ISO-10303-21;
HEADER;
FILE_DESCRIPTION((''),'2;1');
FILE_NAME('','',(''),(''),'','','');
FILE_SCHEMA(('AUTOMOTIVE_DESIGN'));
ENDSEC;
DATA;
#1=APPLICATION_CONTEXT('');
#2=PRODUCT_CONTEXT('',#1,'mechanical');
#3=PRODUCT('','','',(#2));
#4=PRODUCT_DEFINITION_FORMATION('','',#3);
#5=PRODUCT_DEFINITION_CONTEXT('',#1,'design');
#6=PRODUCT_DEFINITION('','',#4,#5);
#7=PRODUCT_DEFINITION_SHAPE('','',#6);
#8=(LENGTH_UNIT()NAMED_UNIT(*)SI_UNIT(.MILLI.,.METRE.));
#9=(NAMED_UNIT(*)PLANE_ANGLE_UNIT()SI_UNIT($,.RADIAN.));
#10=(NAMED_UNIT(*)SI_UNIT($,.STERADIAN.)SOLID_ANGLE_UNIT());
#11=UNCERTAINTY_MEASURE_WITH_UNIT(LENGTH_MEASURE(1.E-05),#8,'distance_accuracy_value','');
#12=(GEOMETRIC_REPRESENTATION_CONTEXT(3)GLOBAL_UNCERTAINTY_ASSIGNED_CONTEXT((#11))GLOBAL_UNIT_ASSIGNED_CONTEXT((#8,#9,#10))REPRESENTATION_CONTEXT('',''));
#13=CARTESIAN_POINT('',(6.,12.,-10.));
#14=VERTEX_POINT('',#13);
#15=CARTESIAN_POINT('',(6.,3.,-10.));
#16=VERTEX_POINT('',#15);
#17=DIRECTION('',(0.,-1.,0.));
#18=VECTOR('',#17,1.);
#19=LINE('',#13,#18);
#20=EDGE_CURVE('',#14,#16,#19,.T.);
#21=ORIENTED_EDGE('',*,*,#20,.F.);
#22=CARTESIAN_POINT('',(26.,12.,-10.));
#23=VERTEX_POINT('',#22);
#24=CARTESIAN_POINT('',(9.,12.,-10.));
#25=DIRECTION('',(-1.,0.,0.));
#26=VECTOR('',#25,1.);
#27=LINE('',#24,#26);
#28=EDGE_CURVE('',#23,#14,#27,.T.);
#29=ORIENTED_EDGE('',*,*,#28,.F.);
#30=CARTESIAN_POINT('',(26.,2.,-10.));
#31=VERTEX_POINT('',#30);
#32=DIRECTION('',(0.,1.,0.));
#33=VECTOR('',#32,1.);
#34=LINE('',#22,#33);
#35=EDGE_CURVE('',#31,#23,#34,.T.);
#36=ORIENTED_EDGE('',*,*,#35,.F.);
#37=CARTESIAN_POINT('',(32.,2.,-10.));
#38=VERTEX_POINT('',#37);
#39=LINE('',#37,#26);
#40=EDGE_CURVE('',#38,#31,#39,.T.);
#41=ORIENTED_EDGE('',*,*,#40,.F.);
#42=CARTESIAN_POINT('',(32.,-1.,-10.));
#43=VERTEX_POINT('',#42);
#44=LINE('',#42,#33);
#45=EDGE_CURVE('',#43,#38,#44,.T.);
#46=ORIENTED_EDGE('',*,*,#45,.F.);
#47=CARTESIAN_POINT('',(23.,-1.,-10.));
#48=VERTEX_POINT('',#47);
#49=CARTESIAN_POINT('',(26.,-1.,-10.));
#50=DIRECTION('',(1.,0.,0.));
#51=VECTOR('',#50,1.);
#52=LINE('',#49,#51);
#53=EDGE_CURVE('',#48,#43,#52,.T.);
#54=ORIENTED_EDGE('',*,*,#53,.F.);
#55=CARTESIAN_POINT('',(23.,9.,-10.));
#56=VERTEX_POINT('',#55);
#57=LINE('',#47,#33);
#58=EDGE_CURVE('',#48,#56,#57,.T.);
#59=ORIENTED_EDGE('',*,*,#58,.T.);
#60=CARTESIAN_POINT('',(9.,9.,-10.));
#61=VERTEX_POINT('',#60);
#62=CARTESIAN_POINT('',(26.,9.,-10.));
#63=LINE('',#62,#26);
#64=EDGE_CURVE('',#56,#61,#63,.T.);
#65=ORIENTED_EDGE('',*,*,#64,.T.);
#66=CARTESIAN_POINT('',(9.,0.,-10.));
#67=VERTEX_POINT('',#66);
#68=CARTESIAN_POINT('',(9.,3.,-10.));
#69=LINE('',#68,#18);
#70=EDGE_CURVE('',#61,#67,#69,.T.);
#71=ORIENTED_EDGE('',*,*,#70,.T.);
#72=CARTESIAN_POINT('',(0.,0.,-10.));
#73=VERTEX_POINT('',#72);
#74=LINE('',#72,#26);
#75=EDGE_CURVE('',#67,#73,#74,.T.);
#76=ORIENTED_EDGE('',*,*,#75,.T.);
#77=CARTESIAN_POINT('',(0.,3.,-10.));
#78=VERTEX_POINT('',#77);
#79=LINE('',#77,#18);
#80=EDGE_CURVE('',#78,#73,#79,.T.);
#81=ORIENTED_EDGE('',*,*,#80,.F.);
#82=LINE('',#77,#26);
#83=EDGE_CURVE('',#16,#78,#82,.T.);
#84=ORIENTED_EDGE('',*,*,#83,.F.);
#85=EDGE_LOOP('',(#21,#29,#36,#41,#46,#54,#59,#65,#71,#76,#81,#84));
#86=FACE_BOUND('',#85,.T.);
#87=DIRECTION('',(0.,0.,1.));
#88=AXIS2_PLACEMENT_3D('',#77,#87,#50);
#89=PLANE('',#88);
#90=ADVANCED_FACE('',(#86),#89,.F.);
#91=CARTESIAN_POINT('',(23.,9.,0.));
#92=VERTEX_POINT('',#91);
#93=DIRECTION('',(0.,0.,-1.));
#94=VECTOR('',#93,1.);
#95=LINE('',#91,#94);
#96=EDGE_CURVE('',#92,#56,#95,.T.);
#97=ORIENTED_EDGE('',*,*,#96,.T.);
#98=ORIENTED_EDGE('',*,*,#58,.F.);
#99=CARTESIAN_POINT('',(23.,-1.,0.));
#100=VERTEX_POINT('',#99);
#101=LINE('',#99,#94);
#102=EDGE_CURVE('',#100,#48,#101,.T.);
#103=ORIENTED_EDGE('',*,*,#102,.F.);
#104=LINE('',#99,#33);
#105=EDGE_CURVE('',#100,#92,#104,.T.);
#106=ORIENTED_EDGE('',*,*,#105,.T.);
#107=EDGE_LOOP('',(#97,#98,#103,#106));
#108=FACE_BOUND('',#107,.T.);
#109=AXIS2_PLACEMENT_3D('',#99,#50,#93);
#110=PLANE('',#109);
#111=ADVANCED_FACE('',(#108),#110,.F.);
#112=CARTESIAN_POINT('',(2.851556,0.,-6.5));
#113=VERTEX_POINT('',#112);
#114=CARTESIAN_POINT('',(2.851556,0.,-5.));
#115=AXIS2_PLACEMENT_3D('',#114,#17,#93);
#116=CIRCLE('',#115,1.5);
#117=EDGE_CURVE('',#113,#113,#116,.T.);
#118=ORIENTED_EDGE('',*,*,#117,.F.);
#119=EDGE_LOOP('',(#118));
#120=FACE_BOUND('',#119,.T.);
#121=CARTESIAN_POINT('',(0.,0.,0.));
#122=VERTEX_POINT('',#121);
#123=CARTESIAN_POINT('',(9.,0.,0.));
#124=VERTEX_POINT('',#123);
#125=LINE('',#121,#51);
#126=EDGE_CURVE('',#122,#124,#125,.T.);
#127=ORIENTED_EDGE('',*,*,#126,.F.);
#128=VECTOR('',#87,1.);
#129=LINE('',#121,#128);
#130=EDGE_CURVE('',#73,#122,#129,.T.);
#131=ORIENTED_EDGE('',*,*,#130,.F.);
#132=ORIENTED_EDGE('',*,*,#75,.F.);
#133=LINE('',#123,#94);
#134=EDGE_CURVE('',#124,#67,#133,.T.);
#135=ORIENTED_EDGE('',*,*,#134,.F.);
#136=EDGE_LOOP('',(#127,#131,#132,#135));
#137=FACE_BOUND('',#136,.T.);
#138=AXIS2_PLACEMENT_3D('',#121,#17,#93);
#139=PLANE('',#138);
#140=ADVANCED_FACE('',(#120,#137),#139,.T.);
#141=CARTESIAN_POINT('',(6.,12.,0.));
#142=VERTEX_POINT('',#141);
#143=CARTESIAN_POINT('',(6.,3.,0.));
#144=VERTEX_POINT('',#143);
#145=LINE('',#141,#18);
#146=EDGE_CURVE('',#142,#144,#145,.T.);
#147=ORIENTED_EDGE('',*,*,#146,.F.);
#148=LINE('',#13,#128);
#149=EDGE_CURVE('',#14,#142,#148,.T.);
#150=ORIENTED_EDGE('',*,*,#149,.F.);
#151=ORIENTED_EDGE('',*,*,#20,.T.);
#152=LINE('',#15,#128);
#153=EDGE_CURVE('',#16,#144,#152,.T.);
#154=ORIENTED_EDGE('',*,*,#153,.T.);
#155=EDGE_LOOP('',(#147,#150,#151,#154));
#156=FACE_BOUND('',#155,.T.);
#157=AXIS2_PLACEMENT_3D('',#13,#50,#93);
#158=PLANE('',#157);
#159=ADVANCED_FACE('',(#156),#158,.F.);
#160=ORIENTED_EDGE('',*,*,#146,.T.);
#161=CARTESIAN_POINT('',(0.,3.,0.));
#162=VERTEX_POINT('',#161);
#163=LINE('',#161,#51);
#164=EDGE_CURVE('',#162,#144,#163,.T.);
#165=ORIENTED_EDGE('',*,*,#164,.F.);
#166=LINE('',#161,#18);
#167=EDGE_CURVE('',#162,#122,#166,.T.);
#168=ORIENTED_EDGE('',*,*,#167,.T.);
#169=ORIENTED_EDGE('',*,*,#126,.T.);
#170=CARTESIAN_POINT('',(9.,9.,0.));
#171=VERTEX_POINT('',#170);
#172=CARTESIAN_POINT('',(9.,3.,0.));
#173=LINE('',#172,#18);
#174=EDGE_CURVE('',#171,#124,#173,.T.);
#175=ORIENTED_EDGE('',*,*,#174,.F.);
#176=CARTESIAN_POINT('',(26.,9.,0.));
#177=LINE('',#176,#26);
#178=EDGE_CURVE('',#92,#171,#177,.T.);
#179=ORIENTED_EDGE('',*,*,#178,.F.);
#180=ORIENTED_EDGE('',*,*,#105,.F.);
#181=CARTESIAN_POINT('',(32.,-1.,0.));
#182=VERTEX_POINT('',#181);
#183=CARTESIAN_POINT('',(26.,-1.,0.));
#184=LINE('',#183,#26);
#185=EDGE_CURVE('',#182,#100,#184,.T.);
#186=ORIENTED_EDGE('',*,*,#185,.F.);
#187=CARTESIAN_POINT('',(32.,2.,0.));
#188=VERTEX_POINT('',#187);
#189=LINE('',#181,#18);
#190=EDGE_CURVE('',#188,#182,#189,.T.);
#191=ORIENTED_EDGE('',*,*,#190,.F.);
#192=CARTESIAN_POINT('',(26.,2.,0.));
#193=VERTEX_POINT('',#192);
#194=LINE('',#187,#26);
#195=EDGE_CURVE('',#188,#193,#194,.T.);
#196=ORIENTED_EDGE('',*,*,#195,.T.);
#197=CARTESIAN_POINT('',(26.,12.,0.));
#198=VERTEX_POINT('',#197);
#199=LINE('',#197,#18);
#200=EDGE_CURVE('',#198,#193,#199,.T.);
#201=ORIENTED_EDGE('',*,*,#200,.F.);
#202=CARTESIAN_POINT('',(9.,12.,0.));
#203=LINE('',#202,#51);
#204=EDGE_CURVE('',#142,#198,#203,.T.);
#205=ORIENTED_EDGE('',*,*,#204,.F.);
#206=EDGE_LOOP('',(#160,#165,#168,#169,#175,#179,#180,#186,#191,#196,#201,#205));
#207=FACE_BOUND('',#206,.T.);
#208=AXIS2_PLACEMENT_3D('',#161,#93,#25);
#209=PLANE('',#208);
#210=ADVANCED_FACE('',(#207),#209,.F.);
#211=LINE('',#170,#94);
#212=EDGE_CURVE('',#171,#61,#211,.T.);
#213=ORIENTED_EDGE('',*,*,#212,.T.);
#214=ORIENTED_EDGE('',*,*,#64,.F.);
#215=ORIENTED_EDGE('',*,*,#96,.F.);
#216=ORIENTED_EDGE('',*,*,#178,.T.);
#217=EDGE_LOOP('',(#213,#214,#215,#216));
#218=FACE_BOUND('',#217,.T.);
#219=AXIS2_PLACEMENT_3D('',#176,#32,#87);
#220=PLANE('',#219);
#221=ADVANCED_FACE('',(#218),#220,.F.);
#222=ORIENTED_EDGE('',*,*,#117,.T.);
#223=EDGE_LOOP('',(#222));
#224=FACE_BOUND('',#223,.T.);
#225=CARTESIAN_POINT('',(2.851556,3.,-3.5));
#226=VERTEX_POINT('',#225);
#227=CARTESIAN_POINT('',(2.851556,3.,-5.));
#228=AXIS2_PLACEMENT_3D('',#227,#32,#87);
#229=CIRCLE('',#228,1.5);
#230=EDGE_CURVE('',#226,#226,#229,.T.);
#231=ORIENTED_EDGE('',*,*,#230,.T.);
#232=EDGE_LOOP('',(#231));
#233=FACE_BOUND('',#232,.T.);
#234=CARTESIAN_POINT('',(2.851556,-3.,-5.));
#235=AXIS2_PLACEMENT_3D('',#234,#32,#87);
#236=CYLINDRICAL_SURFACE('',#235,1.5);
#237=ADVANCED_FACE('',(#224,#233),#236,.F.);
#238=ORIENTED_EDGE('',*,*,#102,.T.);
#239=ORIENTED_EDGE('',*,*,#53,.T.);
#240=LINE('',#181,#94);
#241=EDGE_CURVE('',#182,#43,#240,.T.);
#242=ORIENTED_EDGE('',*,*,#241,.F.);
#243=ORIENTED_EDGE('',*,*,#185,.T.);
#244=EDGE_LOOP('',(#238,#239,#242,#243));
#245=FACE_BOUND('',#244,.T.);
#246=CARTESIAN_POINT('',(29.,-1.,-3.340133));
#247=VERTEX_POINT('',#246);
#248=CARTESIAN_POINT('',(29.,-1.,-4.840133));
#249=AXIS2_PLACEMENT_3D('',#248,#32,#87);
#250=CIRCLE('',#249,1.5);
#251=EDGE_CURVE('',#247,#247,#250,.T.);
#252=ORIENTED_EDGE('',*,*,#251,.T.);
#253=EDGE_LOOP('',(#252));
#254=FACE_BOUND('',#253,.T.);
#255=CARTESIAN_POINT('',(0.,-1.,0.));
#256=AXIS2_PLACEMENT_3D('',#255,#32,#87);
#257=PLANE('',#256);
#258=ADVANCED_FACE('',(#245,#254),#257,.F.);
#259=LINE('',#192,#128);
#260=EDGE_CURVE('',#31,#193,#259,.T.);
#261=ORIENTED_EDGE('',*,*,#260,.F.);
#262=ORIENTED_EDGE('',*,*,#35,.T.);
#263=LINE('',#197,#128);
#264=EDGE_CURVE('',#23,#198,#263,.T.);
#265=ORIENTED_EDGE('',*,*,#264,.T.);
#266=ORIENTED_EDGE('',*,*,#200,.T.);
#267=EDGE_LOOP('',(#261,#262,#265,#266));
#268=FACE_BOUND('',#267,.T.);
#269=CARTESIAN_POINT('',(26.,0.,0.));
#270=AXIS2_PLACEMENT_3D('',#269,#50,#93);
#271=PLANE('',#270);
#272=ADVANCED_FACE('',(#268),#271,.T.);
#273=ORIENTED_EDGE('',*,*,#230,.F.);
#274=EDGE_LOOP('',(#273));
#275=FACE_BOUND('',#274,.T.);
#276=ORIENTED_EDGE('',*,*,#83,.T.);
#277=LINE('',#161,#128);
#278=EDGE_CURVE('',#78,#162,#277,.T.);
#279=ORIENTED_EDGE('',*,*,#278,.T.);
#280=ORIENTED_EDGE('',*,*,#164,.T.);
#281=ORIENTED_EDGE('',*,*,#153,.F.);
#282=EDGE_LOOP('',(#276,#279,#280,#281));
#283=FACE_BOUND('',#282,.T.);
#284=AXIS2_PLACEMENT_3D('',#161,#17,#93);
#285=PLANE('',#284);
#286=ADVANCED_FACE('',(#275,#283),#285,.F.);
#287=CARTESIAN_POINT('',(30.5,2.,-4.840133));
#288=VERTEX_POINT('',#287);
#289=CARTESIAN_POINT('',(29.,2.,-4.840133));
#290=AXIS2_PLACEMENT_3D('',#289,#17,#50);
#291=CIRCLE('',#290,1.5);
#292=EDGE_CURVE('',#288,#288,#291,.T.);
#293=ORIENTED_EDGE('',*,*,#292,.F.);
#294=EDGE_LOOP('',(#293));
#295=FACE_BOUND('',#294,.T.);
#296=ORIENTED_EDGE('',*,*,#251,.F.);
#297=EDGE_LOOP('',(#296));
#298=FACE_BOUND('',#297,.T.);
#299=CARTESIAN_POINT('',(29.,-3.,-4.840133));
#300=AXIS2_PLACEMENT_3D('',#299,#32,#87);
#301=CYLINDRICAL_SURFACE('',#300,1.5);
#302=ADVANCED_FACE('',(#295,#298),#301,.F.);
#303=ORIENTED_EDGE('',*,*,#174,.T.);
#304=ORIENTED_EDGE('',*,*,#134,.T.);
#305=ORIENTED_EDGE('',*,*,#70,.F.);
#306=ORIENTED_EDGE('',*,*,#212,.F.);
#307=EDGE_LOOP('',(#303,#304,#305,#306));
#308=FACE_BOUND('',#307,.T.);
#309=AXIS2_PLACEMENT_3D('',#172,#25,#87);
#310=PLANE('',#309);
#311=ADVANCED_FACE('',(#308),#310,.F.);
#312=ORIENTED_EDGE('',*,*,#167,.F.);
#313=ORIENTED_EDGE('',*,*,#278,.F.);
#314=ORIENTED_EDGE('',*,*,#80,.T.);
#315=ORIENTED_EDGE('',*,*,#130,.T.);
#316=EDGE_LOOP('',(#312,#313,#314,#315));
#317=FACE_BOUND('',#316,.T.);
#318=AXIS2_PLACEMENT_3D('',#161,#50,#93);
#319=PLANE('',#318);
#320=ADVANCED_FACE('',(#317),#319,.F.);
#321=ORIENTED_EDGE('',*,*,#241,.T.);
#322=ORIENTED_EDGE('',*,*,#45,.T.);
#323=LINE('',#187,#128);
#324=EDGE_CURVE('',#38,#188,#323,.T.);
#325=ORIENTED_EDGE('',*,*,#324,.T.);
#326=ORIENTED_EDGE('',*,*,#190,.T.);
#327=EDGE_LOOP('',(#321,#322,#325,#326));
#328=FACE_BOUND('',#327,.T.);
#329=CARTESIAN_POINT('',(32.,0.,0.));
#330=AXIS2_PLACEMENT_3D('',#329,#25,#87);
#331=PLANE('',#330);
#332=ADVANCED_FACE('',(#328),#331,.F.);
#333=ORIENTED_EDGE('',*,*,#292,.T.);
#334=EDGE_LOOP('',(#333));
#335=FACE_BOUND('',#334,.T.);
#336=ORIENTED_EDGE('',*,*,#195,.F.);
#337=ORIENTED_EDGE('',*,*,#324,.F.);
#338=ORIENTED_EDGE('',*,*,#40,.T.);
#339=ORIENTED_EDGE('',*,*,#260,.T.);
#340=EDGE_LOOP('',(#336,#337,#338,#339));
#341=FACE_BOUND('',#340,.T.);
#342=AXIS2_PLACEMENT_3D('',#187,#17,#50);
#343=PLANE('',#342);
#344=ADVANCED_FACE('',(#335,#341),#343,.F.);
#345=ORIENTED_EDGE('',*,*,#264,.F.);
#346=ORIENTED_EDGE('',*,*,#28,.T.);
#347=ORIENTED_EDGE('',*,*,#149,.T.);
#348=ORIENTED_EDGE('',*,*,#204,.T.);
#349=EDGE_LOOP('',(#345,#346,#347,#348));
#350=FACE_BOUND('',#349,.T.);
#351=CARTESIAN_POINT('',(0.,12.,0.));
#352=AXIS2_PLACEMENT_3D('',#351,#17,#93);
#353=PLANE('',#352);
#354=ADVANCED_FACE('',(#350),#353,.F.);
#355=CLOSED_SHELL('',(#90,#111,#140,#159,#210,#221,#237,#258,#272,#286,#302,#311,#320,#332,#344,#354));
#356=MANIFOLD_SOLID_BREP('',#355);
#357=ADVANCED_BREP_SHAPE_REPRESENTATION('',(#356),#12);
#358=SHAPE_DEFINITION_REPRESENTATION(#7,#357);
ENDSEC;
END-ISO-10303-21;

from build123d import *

# Parameters (mm, degrees)
SKETCH1_W           = 9
SKETCH1_H           = 10
BOSS_EXTRUDE1_DEPTH = 3
SKETCH2_W           = 3
SKETCH2_H           = 10
BOSS_EXTRUDE2_DEPTH = 9
SKETCH3_W           = 10
SKETCH3_H           = 3
BOSS_EXTRUDE3_DEPTH = 17
SKETCH4_W           = 3
SKETCH4_H           = 10
BOSS_EXTRUDE4_DEPTH = 10
SKETCH5_W           = 10
SKETCH5_H           = 3
BOSS_EXTRUDE5_DEPTH = 6
CUT_EXTRUDE1_DEPTH  = 6


with BuildPart() as part:
    # Sketch1 → Boss-Extrude1 (new body)
    with BuildSketch(Plane(origin=(0, 0, 0), x_dir=(1, 0, 0), z_dir=(0, 1, 0))):
        with Locations((4.5, 5)):
            Rectangle(SKETCH1_W, SKETCH1_H)
    extrude(amount=BOSS_EXTRUDE1_DEPTH)

    # Sketch2 → Boss-Extrude2 (add)
    with BuildSketch(Plane(origin=(0, 3, 0), x_dir=(1, 0, 0), z_dir=(0, 1, 0))):
        with Locations((7.5, 5)):
            Rectangle(SKETCH2_W, SKETCH2_H)
    extrude(amount=BOSS_EXTRUDE2_DEPTH)

    # Sketch3 → Boss-Extrude3 (add)
    with BuildSketch(Plane(origin=(9, 0, 0), x_dir=(0, 0, -1), z_dir=(1, 0, 0))):
        with Locations((5, 10.5)):
            Rectangle(SKETCH3_W, SKETCH3_H)
    extrude(amount=BOSS_EXTRUDE3_DEPTH)

    # Sketch4 → Boss-Extrude4 (add)
    with BuildSketch(Plane.XZ.offset(-9)):
        with Locations((24.5, -5)):
            Rectangle(SKETCH4_W, SKETCH4_H)
    extrude(amount=BOSS_EXTRUDE4_DEPTH)

    # Sketch5 → Boss-Extrude5 (add)
    with BuildSketch(Plane(origin=(26, 0, 0), x_dir=(0, 0, -1), z_dir=(1, 0, 0))):
        with Locations((5, 0.5)):
            Rectangle(SKETCH5_W, SKETCH5_H)
    extrude(amount=BOSS_EXTRUDE5_DEPTH)

    # Sketch6 → Cut-Extrude1 (cut)
    with BuildSketch(Plane(origin=(0, 3, 0), x_dir=(1, 0, 0), z_dir=(0, 1, 0))):
        with BuildLine():
            ThreePointArc((4.351556364, 5), (3.912216535, 6.060660172), (2.851556364, 6.5))
            Line((2.851556364, 6.5), (2.851556364, 5))
            Line((2.851556364, 5), (4.351556364, 5))
        make_face()
        with BuildLine():
            Line((2.851556364, 5), (2.851556364, 6.5))
            ThreePointArc((2.851556364, 6.5), (1.790896192, 6.060660172), (1.351556364, 5))
            Line((1.351556364, 5), (2.851556364, 5))
        make_face()
        with BuildLine():
            Line((4.351556364, 5), (2.851556364, 5))
            Line((2.851556364, 5), (2.851556364, 3.5))
            ThreePointArc((2.851556364, 3.5), (3.912216535, 3.939339828), (4.351556364, 5))
        make_face()
        with BuildLine():
            Line((2.851556364, 3.5), (2.851556364, 5))
            Line((2.851556364, 5), (1.351556364, 5))
            ThreePointArc((1.351556364, 5), (1.790896192, 3.939339828), (2.851556364, 3.5))
        make_face()
        with BuildLine():
            ThreePointArc((30.491456548, 5), (30.002546741, 5.955884174), (29, 6.340133291))
            Line((29, 6.340133291), (29, 5))
            Line((29, 5), (30.491456548, 5))
        make_face()
        with BuildLine():
            Line((29, 5), (29, 6.340133291))
            ThreePointArc((29, 6.340133291), (27.997453259, 5.955884174), (27.508543452, 5))
            Line((27.508543452, 5), (29, 5))
        make_face()
        with BuildLine():
            Line((30.491456548, 5), (29, 5))
            Line((29, 5), (29, 3.340133291))
            ThreePointArc((29, 3.340133291), (30.060660172, 3.779473119), (30.5, 4.840133291))
            ThreePointArc((30.5, 4.840133291), (30.497862614, 4.920180707), (30.491456548, 5))
        make_face()
        with BuildLine():
            Line((29, 3.340133291), (29, 5))
            Line((29, 5), (27.508543452, 5))
            ThreePointArc((27.508543452, 5), (27.884249118, 3.83758655), (29, 3.340133291))
        make_face()
    extrude(amount=-CUT_EXTRUDE1_DEPTH, mode=Mode.SUBTRACT)


solid = part.part
